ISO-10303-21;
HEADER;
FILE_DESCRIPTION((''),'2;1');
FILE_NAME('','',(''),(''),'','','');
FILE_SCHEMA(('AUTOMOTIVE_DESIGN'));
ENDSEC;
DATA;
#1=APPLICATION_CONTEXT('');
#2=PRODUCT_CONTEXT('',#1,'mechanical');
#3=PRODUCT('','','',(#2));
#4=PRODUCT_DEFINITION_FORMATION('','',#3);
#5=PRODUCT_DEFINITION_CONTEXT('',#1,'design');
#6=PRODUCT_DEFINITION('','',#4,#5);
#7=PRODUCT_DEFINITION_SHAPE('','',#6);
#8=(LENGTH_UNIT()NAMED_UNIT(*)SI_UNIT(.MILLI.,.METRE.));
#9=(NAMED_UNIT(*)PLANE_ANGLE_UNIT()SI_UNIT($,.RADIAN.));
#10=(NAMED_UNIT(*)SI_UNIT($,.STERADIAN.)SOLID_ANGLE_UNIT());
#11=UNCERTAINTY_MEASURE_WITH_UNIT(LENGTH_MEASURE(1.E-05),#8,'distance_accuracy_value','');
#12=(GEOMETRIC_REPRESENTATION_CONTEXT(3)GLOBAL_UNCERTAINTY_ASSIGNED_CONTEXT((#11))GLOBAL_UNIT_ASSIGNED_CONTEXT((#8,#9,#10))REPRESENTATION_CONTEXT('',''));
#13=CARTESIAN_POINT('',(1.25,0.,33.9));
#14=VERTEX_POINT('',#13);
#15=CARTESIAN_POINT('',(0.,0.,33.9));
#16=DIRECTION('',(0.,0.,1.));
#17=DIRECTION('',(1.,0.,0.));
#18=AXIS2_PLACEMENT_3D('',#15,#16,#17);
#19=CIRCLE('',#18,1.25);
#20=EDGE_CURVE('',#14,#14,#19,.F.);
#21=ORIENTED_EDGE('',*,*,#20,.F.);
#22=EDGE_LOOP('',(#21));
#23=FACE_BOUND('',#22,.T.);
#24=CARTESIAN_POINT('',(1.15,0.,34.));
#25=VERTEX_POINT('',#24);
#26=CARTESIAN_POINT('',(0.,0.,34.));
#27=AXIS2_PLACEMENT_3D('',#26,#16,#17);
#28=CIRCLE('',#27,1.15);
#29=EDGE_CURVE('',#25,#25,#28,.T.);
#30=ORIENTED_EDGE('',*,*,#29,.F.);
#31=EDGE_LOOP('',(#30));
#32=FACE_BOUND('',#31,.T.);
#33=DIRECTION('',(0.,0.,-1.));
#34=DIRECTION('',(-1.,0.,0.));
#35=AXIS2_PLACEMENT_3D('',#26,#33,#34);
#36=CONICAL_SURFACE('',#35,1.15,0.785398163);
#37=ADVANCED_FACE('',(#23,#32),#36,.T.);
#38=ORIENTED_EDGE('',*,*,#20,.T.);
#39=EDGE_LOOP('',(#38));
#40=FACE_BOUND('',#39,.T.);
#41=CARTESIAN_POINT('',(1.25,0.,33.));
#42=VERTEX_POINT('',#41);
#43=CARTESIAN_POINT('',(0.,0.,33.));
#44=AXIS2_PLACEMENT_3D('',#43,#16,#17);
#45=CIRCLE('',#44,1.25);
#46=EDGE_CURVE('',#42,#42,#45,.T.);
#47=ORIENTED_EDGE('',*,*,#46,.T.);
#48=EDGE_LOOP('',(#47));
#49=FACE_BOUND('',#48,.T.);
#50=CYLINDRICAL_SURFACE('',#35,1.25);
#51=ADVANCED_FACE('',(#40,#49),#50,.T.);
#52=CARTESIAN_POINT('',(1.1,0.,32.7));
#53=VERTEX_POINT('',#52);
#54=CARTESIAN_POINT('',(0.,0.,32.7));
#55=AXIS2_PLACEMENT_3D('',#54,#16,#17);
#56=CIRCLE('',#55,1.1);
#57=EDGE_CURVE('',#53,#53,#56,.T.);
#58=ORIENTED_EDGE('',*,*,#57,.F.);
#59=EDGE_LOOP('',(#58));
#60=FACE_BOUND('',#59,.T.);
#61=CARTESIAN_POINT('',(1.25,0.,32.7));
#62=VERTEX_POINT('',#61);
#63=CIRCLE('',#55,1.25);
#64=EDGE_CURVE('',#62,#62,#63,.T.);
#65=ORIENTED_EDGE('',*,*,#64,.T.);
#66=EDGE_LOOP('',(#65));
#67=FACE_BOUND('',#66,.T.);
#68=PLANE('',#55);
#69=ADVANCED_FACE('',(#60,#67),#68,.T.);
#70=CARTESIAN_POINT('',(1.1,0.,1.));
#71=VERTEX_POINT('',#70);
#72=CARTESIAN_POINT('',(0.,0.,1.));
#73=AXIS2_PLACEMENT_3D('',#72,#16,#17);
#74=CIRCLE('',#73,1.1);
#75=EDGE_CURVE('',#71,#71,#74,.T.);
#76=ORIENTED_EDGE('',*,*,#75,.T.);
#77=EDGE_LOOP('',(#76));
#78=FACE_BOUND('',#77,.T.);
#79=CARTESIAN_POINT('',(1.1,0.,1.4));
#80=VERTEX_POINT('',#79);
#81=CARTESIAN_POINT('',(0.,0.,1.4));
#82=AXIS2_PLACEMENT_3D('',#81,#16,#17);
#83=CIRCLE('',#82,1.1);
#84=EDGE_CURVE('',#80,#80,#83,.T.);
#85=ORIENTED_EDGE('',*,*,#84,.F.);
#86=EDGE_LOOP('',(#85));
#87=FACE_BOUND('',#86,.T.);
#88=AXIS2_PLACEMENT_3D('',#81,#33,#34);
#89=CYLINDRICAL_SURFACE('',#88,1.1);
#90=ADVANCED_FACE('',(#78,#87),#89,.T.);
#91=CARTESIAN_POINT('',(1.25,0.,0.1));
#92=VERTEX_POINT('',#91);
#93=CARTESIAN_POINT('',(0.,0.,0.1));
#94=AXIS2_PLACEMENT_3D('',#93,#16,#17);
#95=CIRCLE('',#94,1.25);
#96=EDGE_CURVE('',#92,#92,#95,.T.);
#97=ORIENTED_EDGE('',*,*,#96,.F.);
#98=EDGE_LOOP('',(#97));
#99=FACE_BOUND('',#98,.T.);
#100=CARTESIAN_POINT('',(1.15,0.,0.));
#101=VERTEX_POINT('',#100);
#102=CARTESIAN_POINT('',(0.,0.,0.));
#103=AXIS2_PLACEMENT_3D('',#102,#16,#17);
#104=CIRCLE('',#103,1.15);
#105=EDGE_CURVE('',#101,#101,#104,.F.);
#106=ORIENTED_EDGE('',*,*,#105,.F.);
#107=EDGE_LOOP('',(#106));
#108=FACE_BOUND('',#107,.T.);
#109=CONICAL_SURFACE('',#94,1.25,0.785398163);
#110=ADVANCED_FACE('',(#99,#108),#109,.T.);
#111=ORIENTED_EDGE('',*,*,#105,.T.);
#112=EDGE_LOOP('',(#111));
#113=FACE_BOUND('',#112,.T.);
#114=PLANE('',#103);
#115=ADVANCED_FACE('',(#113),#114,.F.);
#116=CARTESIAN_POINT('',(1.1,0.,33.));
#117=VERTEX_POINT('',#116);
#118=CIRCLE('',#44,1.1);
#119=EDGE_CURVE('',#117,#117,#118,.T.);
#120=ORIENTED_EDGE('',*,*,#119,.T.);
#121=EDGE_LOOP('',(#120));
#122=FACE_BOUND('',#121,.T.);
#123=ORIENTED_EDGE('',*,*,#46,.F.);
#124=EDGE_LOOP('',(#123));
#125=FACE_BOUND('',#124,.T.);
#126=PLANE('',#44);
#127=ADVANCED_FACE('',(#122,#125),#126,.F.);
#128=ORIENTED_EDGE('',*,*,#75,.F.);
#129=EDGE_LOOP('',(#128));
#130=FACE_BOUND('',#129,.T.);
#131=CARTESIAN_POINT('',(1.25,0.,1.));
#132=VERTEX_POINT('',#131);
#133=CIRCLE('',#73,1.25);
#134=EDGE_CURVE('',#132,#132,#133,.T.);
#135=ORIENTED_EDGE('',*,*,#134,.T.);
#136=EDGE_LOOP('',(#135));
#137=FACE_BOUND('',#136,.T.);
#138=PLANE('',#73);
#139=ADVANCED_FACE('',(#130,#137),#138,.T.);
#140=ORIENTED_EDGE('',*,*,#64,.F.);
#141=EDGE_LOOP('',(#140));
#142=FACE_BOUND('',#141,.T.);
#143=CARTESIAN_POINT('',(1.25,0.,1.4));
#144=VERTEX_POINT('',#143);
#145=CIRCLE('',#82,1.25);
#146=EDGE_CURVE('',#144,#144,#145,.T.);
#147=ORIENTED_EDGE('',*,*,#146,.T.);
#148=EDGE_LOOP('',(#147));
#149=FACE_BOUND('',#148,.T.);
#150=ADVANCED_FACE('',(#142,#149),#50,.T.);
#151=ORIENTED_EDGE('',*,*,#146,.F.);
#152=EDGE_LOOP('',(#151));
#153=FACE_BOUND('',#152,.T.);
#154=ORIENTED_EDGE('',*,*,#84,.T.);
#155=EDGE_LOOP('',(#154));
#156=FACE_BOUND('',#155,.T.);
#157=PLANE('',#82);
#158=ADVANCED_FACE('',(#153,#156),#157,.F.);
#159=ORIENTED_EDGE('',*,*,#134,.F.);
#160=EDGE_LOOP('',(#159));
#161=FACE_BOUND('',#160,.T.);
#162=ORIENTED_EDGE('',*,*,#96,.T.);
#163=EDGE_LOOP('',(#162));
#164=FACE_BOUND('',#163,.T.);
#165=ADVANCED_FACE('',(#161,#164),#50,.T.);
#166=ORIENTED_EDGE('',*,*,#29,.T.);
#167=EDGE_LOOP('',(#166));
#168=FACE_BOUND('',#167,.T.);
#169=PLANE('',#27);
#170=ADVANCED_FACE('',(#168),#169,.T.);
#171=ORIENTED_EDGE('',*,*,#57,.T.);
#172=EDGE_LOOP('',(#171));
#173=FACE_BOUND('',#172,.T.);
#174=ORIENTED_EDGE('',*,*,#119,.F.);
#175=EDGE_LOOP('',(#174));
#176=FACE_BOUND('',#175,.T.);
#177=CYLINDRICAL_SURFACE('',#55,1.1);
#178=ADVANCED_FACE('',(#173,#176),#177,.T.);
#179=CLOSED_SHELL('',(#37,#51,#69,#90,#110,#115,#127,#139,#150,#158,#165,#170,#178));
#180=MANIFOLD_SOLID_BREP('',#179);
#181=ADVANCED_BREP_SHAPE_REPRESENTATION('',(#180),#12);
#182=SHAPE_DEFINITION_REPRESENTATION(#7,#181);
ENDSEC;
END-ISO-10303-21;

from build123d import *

# Parameters (mm, degrees)
SKETCH_1_R          = 1.25
EXTRUDE_1_DEPTH     = 34
SKETCH_2_R          = 1.25
SKETCH_2_R_2        = 1.1
CUT_EXTRUDE_1_DEPTH = 0.4
SKETCH_3_R          = 1.25
SKETCH_3_R_2        = 1.1
CUT_EXTRUDE_2_DEPTH = 0.3
CHAMFER_1_SIZE      = 0.1


with BuildPart() as part:
    # 草图1 → 凸台-拉伸1 (new body)
    with BuildSketch(Plane.XY):
        Circle(SKETCH_1_R)
    extrude(amount=EXTRUDE_1_DEPTH)

    # 草图2 → 切除-拉伸1 (cut)
    with BuildSketch(Plane.XY.offset(1)):
        Circle(SKETCH_2_R)
        Circle(SKETCH_2_R_2, mode=Mode.SUBTRACT)
    extrude(amount=CUT_EXTRUDE_1_DEPTH, mode=Mode.SUBTRACT)

    # 草图3 → 切除-拉伸2 (cut)
    with BuildSketch(Plane.XY.offset(33)):
        Circle(SKETCH_3_R)
        Circle(SKETCH_3_R_2, mode=Mode.SUBTRACT)
    extrude(amount=-CUT_EXTRUDE_2_DEPTH, mode=Mode.SUBTRACT)

    # 倒角1
    chamfer_1_edges = [part.edges().sort_by_distance(p)[0] for p in [
        (-1.25, 0, 0),
        (-1.25, 0, 34),
    ]]
    chamfer(chamfer_1_edges, length=CHAMFER_1_SIZE)


solid = part.part
